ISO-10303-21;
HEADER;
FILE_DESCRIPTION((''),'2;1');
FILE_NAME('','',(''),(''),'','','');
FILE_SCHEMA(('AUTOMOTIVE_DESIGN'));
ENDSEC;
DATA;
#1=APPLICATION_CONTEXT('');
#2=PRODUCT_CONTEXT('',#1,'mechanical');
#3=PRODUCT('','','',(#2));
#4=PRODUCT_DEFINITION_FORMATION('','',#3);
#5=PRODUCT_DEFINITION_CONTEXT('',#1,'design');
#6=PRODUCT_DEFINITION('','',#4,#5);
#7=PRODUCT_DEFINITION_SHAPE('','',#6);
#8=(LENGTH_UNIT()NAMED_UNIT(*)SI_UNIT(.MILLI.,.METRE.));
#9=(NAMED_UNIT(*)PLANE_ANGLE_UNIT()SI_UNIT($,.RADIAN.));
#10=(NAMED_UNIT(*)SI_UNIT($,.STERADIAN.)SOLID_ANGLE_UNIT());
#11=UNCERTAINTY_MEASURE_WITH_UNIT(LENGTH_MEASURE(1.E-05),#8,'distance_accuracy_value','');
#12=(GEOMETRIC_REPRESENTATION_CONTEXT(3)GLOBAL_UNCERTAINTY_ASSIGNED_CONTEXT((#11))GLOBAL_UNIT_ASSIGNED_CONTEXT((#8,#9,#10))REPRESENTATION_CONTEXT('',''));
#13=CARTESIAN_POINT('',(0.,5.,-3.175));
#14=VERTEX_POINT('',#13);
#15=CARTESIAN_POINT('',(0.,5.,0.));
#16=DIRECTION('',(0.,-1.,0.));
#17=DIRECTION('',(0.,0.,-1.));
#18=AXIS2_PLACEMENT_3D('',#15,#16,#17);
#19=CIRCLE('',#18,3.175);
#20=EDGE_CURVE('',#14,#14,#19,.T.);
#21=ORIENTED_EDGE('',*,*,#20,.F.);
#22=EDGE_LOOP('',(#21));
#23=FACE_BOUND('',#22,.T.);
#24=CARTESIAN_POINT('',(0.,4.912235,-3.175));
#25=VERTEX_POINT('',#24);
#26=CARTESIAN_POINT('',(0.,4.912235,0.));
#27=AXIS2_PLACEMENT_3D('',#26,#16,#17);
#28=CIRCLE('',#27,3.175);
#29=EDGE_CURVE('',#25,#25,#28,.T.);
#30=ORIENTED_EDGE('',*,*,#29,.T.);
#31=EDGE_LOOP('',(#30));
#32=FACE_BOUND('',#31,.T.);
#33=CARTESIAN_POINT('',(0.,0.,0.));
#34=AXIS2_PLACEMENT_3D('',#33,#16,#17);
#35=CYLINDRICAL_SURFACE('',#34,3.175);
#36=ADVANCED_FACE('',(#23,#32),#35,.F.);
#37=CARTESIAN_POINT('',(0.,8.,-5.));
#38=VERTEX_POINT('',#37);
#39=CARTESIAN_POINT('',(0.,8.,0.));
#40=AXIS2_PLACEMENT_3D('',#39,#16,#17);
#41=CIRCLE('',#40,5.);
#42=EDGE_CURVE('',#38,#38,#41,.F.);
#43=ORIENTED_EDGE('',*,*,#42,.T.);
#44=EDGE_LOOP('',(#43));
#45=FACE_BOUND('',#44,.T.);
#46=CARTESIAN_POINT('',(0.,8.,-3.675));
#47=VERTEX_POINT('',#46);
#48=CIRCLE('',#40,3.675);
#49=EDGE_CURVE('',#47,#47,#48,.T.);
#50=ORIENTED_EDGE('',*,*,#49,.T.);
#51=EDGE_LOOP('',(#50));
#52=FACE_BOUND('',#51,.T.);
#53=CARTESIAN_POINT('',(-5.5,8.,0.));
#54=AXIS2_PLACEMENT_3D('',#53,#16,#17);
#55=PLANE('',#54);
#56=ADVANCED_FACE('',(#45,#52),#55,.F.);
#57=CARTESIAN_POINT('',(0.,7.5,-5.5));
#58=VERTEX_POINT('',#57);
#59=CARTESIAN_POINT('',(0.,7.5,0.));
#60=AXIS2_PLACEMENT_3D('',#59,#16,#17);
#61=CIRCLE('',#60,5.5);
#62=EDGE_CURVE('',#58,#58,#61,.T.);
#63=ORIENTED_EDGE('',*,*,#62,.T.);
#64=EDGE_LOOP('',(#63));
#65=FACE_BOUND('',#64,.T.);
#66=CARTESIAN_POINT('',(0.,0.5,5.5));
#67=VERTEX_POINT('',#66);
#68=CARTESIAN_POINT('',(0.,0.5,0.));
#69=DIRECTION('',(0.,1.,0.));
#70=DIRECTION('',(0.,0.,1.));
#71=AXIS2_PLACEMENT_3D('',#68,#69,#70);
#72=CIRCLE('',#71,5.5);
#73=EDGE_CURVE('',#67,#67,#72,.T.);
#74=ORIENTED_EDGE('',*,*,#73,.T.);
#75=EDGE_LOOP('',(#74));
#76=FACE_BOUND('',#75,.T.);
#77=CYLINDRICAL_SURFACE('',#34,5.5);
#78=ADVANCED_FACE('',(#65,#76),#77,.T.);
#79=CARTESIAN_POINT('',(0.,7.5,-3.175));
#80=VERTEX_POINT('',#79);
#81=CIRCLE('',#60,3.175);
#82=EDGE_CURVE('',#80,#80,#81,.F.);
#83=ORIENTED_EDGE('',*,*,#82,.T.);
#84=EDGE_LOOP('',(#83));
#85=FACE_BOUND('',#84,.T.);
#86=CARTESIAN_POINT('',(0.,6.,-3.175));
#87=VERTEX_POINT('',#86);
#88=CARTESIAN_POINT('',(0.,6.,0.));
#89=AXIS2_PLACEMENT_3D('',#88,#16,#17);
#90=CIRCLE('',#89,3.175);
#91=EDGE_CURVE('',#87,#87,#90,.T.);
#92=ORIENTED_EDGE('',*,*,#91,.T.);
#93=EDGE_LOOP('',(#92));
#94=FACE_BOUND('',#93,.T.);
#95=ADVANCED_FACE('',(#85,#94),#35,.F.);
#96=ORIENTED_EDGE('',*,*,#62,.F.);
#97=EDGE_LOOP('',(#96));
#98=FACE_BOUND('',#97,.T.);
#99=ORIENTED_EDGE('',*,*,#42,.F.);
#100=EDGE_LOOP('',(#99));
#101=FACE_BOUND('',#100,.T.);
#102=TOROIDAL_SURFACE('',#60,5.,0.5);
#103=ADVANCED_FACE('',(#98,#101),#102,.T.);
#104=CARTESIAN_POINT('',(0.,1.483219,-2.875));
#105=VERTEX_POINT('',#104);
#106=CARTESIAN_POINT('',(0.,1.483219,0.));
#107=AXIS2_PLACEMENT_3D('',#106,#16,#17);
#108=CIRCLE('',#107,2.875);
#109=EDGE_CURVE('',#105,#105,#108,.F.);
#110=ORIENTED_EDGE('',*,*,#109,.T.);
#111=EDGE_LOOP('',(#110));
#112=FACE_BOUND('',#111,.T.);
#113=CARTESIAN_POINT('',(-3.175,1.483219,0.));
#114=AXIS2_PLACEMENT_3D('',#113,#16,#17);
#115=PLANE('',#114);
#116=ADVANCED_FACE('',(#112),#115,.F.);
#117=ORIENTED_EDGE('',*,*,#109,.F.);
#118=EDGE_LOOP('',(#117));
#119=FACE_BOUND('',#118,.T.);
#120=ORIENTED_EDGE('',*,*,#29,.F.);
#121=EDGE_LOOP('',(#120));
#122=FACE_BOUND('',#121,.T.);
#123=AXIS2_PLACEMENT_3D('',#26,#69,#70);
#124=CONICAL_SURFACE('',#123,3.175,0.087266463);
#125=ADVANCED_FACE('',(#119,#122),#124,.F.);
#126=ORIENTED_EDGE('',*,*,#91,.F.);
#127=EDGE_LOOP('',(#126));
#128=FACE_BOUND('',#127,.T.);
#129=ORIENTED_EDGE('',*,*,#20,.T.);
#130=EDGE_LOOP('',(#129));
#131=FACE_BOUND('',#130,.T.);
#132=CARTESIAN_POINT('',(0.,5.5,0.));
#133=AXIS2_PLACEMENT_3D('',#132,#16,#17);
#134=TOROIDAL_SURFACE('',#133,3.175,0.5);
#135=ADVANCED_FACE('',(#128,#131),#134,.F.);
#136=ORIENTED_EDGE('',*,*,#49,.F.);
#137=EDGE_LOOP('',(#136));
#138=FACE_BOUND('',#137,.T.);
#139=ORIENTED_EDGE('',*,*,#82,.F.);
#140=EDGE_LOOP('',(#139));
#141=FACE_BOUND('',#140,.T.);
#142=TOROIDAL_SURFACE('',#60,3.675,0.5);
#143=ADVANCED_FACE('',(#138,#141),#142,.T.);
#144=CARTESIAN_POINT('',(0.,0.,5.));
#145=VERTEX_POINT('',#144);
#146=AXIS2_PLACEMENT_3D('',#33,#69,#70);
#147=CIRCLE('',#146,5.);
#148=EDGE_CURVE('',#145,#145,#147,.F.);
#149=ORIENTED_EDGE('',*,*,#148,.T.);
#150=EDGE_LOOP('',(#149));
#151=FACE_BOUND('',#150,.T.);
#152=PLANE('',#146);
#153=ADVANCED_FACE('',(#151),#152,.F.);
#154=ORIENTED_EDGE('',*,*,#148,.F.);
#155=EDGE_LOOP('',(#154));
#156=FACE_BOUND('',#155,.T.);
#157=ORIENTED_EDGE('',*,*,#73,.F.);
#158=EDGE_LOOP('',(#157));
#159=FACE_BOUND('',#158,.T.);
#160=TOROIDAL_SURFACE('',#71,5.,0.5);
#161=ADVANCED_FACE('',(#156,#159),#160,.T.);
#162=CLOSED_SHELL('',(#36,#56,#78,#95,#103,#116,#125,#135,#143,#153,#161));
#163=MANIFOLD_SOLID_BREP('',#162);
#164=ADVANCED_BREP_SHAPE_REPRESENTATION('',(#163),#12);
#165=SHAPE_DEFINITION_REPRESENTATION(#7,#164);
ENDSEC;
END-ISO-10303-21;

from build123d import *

# Parameters (mm, degrees)
CHAMFER1_SIZE  = 0.3
CHAMFER1_SIZE2 = 3.429015691
FILLET1_R      = 0.5


with BuildPart() as part:
    # Sketch3 → Revolve1 (revolve)
    with BuildSketch(Plane.XY, mode=Mode.PRIVATE) as revolve1_sk:
        with BuildLine():
            Line((0, 0), (-5.5, 0))
            Line((-5.5, 0), (-5.5, 8))
            Line((-5.5, 8), (-3.175, 8))
            Line((-3.175, 8), (-3.175, 6))
            ThreePointArc((-3.175, 6), (-3.675, 5.5), (-3.175, 5))
            Line((-3.175, 5), (-3.175, 1.483219346))
            Line((-3.175, 1.483219346), (0, 1.483219346))
            Line((0, 1.483219346), (0, 0))
        make_face()
    revolve(revolve1_sk.sketch.rotate(Axis((0, 0, 0), (0, 1, 0)), 270), axis=Axis((0, 0, 0), (0, 1, 0)))

    # Chamfer1
    chamfer1_edges = [part.edges().sort_by_distance(p)[0] for p in [
        (0, 1.483219346, 3.175),
    ]]
    chamfer1_side = [part.faces().sort_by_distance(p)[0] for p in [
        (0, 1.483219346, 0),
    ]]
    chamfer(chamfer1_edges, length=CHAMFER1_SIZE, length2=CHAMFER1_SIZE2, reference=chamfer1_side[0])

    # Fillet1
    fillet1_edges = [part.edges().sort_by_distance(p)[0] for p in [
        (0, 0, 5.5),
        (0, 8, 5.5),
        (0, 8, 3.175),
    ]]
    fillet(fillet1_edges, radius=FILLET1_R)


solid = part.part
